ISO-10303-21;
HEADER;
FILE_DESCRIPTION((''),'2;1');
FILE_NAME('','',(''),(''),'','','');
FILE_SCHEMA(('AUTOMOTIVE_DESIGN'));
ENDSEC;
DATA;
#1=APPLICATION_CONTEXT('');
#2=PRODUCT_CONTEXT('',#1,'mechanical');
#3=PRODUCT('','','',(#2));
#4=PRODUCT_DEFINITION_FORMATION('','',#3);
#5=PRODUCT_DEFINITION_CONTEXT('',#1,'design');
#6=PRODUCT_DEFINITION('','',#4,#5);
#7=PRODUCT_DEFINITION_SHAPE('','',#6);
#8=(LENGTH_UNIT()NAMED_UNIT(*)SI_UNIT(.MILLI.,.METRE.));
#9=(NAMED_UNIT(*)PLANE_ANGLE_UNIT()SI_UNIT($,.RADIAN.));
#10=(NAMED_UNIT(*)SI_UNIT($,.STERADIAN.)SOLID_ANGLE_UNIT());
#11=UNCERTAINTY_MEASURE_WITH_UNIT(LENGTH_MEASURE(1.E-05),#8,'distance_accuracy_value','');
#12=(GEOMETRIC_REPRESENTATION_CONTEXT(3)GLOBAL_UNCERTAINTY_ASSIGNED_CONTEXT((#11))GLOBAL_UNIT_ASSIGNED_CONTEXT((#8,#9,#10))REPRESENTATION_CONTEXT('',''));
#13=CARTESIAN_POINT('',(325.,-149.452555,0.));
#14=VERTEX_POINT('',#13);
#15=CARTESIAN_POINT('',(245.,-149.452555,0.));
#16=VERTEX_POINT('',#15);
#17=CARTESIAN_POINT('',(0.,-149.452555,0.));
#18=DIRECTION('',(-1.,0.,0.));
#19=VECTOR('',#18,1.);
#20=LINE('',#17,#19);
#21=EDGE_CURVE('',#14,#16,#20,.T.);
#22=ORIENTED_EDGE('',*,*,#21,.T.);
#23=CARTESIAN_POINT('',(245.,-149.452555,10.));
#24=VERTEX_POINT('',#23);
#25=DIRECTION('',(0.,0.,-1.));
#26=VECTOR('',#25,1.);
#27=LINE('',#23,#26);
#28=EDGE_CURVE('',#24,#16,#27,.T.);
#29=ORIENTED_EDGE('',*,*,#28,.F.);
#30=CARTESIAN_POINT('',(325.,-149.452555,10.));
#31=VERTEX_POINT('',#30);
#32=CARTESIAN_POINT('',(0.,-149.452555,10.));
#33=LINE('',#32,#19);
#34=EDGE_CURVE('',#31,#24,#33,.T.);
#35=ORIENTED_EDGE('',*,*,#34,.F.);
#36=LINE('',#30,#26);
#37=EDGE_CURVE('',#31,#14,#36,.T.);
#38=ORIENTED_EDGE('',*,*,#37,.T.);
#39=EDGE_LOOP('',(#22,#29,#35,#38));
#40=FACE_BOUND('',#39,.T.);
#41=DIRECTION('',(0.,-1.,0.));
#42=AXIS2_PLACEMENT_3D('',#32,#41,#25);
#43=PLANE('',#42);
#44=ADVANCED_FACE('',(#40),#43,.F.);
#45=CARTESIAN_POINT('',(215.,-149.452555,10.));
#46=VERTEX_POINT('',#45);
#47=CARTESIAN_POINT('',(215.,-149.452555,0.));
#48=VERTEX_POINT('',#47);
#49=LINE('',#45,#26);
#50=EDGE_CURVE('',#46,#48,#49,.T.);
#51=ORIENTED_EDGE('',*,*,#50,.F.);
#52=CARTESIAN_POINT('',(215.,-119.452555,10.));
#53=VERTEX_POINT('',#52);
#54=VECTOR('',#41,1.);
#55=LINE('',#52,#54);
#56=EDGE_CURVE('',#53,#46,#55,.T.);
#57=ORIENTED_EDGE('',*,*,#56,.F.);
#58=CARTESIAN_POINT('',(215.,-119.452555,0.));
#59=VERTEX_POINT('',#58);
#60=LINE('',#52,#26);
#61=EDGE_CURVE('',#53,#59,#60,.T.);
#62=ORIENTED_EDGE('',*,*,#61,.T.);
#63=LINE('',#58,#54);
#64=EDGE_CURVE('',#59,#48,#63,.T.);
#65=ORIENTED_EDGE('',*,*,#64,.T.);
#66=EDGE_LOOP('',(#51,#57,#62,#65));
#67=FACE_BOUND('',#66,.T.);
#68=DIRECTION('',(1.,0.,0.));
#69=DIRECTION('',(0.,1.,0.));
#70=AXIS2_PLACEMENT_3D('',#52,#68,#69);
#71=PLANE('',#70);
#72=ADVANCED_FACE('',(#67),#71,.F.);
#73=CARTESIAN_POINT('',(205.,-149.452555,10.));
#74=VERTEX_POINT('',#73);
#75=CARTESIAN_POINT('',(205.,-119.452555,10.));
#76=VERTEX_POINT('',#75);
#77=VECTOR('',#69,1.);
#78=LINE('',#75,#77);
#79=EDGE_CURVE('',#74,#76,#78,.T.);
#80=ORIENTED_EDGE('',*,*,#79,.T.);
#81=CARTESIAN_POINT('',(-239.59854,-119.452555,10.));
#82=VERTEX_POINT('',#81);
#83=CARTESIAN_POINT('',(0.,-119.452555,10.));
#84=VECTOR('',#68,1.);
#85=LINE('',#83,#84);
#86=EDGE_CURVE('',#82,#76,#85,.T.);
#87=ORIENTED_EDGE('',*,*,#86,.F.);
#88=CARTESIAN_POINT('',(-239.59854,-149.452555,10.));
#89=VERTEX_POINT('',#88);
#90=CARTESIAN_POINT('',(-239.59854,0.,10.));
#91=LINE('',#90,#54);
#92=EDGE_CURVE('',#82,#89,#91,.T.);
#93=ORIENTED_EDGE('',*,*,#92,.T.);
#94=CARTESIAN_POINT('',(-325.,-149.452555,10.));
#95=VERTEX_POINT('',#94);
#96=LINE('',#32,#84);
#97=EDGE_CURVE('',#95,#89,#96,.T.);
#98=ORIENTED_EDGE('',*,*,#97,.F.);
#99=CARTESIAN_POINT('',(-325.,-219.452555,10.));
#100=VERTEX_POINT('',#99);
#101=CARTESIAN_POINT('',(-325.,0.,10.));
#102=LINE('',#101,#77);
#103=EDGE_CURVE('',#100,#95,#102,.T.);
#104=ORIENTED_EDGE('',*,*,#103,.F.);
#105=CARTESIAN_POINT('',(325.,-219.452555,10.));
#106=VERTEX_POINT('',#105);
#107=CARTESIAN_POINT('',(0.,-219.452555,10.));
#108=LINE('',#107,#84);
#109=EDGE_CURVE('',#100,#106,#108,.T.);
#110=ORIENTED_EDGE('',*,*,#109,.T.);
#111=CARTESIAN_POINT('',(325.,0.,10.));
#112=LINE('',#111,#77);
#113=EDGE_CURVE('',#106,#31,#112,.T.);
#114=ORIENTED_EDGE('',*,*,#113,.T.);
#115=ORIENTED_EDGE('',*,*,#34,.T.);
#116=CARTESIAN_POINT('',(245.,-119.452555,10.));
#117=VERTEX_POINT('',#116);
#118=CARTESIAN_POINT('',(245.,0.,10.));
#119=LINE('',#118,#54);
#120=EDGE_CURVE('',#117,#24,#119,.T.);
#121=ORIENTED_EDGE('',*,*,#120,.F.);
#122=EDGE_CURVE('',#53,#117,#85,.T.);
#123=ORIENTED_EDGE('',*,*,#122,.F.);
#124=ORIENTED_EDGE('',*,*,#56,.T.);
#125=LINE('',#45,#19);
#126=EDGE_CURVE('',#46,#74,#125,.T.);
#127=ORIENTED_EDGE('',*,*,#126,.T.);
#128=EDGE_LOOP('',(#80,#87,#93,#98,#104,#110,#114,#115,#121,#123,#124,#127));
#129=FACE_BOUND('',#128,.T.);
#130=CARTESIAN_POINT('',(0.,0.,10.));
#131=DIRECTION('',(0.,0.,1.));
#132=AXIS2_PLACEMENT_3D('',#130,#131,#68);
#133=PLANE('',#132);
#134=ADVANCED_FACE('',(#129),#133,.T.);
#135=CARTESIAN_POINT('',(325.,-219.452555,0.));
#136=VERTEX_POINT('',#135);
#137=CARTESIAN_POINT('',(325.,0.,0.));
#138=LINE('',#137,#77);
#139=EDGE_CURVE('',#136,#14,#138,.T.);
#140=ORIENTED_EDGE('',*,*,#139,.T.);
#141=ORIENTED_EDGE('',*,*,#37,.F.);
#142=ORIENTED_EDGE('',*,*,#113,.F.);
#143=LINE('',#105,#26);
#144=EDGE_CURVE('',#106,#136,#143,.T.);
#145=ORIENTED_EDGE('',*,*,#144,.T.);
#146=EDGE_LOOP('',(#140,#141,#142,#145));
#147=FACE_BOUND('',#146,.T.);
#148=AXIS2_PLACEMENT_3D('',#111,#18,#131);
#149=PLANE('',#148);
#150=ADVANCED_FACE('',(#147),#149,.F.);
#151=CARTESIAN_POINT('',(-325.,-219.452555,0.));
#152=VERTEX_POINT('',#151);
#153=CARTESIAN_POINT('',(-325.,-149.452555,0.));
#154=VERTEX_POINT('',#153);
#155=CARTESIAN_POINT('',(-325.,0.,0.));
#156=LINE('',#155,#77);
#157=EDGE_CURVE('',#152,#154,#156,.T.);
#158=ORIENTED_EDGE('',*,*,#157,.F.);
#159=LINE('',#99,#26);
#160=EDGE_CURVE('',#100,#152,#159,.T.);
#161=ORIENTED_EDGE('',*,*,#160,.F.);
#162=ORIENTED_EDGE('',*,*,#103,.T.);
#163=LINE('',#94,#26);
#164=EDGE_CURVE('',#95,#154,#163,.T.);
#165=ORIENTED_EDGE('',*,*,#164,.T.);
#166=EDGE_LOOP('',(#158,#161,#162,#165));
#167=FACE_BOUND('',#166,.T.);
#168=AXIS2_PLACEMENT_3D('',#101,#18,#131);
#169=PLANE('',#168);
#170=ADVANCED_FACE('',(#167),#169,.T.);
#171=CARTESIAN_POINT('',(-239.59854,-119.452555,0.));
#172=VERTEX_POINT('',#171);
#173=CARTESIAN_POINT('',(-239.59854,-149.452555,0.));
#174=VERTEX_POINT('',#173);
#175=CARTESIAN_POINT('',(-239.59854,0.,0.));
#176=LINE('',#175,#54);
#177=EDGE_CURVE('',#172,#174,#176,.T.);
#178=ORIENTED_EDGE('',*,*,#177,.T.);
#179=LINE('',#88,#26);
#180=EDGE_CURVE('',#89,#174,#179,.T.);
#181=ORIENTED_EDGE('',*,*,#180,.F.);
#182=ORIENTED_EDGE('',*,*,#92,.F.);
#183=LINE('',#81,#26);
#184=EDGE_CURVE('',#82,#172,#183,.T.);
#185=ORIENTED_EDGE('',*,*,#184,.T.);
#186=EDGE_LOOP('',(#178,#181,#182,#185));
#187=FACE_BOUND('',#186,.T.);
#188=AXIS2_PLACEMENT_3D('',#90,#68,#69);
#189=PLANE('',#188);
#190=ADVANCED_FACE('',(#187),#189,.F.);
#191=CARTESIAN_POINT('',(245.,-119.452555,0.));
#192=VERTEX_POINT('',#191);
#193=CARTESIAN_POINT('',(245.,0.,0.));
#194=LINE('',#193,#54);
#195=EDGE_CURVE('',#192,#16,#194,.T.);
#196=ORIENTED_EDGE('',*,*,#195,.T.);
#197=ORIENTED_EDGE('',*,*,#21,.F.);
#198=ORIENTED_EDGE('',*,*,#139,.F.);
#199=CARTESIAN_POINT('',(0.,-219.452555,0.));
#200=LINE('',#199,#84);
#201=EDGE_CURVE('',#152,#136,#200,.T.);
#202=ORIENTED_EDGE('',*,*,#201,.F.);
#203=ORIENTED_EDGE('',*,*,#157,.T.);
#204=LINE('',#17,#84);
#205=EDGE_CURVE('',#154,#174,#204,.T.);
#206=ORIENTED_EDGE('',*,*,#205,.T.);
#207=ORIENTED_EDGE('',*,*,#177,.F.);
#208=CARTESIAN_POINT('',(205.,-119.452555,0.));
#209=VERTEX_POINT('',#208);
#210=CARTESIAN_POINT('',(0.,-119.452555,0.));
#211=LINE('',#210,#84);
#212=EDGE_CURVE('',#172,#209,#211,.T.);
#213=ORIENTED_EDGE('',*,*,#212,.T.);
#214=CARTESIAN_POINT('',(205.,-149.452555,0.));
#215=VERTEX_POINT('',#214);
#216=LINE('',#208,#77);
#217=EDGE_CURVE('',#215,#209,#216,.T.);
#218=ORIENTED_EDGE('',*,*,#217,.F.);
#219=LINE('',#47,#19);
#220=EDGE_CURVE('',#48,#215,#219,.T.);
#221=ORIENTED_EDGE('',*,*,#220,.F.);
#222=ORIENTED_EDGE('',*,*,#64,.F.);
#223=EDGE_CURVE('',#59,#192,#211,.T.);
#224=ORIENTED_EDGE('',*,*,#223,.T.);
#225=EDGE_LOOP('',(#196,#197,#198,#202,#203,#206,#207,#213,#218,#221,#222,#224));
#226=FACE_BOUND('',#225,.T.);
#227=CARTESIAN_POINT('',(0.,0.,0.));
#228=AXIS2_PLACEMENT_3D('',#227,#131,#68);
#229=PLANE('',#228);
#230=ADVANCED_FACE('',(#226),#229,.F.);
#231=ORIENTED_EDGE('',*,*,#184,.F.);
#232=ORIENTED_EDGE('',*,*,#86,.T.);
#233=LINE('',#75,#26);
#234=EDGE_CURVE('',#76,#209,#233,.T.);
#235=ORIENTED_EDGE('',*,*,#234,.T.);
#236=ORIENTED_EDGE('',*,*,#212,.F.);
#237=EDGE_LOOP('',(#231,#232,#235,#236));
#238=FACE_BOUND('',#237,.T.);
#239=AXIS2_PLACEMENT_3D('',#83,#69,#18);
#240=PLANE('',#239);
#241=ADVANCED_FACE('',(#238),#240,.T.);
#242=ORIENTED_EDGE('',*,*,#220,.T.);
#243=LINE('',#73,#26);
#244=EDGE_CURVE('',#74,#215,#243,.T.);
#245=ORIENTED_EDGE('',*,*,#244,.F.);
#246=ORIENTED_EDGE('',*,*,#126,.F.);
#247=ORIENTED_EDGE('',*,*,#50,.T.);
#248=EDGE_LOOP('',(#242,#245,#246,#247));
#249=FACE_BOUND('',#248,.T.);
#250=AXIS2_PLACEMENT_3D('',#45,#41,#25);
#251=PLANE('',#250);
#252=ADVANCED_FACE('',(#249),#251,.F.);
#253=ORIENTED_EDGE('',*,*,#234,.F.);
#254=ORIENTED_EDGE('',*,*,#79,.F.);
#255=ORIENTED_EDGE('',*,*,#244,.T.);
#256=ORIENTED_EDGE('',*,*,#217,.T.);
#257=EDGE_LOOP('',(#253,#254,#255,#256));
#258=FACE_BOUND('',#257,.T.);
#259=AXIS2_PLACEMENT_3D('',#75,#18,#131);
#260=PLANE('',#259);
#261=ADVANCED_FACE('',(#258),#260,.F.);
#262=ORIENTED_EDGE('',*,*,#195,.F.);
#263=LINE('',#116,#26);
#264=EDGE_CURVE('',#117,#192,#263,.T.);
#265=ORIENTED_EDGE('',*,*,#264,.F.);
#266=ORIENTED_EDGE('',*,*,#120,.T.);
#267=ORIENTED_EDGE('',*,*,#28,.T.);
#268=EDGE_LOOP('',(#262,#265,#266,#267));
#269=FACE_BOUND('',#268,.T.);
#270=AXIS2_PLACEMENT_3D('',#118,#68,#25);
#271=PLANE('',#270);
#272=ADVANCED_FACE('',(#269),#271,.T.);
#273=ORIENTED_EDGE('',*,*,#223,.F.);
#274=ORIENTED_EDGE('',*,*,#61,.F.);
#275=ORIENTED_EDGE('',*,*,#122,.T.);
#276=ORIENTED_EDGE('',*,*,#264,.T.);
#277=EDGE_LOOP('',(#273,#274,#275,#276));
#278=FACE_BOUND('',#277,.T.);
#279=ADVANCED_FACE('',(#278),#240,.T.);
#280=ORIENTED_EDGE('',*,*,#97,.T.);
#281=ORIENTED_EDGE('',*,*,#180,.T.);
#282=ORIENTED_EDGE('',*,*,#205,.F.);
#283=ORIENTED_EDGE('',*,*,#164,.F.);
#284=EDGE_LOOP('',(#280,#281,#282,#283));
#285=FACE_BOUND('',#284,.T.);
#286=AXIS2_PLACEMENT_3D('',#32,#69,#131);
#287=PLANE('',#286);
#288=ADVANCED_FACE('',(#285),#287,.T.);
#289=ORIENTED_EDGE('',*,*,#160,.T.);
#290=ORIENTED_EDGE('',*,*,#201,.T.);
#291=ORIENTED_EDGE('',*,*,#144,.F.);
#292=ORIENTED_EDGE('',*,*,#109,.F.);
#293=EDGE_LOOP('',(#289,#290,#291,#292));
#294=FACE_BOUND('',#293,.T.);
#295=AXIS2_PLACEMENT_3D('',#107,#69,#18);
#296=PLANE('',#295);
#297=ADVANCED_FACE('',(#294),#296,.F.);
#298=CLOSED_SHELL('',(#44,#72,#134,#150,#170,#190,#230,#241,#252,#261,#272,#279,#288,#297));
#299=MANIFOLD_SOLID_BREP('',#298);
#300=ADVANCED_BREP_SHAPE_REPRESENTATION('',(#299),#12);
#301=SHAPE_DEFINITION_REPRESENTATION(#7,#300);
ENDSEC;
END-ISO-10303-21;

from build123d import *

# Parameters (mm, degrees)
BOSS_EXTRU_1_DEPTH      = 10
ESQUISSE2_W             = 10
ESQUISSE2_H             = 30
ENL_V_MAT_EXTRU_1_DEPTH = 11


with BuildPart() as part:
    # Esquisse1 → Boss.-Extru.1 (new body)
    with BuildSketch(Plane.XY):
        Polygon((-325, -149.452554745), (-325, -219.452554745), (325, -219.452554745), (325, -149.452554745), (245, -149.452554745), (245, -119.452554745), (-239.598540146, -119.452554745), (-239.598540146, -149.452554745), align=None)
    extrude(amount=BOSS_EXTRU_1_DEPTH)

    # Esquisse2 → Enlèv. mat.-Extru.1 (cut, through all)
    with BuildSketch(Plane(origin=(0, 0, 0), x_dir=(-1, 0, 0), z_dir=(0, 0, -1))):
        with Locations((-210, -134.452554745)):
            Rectangle(ESQUISSE2_W, ESQUISSE2_H)
    extrude(amount=-ENL_V_MAT_EXTRU_1_DEPTH, mode=Mode.SUBTRACT)


solid = part.part
